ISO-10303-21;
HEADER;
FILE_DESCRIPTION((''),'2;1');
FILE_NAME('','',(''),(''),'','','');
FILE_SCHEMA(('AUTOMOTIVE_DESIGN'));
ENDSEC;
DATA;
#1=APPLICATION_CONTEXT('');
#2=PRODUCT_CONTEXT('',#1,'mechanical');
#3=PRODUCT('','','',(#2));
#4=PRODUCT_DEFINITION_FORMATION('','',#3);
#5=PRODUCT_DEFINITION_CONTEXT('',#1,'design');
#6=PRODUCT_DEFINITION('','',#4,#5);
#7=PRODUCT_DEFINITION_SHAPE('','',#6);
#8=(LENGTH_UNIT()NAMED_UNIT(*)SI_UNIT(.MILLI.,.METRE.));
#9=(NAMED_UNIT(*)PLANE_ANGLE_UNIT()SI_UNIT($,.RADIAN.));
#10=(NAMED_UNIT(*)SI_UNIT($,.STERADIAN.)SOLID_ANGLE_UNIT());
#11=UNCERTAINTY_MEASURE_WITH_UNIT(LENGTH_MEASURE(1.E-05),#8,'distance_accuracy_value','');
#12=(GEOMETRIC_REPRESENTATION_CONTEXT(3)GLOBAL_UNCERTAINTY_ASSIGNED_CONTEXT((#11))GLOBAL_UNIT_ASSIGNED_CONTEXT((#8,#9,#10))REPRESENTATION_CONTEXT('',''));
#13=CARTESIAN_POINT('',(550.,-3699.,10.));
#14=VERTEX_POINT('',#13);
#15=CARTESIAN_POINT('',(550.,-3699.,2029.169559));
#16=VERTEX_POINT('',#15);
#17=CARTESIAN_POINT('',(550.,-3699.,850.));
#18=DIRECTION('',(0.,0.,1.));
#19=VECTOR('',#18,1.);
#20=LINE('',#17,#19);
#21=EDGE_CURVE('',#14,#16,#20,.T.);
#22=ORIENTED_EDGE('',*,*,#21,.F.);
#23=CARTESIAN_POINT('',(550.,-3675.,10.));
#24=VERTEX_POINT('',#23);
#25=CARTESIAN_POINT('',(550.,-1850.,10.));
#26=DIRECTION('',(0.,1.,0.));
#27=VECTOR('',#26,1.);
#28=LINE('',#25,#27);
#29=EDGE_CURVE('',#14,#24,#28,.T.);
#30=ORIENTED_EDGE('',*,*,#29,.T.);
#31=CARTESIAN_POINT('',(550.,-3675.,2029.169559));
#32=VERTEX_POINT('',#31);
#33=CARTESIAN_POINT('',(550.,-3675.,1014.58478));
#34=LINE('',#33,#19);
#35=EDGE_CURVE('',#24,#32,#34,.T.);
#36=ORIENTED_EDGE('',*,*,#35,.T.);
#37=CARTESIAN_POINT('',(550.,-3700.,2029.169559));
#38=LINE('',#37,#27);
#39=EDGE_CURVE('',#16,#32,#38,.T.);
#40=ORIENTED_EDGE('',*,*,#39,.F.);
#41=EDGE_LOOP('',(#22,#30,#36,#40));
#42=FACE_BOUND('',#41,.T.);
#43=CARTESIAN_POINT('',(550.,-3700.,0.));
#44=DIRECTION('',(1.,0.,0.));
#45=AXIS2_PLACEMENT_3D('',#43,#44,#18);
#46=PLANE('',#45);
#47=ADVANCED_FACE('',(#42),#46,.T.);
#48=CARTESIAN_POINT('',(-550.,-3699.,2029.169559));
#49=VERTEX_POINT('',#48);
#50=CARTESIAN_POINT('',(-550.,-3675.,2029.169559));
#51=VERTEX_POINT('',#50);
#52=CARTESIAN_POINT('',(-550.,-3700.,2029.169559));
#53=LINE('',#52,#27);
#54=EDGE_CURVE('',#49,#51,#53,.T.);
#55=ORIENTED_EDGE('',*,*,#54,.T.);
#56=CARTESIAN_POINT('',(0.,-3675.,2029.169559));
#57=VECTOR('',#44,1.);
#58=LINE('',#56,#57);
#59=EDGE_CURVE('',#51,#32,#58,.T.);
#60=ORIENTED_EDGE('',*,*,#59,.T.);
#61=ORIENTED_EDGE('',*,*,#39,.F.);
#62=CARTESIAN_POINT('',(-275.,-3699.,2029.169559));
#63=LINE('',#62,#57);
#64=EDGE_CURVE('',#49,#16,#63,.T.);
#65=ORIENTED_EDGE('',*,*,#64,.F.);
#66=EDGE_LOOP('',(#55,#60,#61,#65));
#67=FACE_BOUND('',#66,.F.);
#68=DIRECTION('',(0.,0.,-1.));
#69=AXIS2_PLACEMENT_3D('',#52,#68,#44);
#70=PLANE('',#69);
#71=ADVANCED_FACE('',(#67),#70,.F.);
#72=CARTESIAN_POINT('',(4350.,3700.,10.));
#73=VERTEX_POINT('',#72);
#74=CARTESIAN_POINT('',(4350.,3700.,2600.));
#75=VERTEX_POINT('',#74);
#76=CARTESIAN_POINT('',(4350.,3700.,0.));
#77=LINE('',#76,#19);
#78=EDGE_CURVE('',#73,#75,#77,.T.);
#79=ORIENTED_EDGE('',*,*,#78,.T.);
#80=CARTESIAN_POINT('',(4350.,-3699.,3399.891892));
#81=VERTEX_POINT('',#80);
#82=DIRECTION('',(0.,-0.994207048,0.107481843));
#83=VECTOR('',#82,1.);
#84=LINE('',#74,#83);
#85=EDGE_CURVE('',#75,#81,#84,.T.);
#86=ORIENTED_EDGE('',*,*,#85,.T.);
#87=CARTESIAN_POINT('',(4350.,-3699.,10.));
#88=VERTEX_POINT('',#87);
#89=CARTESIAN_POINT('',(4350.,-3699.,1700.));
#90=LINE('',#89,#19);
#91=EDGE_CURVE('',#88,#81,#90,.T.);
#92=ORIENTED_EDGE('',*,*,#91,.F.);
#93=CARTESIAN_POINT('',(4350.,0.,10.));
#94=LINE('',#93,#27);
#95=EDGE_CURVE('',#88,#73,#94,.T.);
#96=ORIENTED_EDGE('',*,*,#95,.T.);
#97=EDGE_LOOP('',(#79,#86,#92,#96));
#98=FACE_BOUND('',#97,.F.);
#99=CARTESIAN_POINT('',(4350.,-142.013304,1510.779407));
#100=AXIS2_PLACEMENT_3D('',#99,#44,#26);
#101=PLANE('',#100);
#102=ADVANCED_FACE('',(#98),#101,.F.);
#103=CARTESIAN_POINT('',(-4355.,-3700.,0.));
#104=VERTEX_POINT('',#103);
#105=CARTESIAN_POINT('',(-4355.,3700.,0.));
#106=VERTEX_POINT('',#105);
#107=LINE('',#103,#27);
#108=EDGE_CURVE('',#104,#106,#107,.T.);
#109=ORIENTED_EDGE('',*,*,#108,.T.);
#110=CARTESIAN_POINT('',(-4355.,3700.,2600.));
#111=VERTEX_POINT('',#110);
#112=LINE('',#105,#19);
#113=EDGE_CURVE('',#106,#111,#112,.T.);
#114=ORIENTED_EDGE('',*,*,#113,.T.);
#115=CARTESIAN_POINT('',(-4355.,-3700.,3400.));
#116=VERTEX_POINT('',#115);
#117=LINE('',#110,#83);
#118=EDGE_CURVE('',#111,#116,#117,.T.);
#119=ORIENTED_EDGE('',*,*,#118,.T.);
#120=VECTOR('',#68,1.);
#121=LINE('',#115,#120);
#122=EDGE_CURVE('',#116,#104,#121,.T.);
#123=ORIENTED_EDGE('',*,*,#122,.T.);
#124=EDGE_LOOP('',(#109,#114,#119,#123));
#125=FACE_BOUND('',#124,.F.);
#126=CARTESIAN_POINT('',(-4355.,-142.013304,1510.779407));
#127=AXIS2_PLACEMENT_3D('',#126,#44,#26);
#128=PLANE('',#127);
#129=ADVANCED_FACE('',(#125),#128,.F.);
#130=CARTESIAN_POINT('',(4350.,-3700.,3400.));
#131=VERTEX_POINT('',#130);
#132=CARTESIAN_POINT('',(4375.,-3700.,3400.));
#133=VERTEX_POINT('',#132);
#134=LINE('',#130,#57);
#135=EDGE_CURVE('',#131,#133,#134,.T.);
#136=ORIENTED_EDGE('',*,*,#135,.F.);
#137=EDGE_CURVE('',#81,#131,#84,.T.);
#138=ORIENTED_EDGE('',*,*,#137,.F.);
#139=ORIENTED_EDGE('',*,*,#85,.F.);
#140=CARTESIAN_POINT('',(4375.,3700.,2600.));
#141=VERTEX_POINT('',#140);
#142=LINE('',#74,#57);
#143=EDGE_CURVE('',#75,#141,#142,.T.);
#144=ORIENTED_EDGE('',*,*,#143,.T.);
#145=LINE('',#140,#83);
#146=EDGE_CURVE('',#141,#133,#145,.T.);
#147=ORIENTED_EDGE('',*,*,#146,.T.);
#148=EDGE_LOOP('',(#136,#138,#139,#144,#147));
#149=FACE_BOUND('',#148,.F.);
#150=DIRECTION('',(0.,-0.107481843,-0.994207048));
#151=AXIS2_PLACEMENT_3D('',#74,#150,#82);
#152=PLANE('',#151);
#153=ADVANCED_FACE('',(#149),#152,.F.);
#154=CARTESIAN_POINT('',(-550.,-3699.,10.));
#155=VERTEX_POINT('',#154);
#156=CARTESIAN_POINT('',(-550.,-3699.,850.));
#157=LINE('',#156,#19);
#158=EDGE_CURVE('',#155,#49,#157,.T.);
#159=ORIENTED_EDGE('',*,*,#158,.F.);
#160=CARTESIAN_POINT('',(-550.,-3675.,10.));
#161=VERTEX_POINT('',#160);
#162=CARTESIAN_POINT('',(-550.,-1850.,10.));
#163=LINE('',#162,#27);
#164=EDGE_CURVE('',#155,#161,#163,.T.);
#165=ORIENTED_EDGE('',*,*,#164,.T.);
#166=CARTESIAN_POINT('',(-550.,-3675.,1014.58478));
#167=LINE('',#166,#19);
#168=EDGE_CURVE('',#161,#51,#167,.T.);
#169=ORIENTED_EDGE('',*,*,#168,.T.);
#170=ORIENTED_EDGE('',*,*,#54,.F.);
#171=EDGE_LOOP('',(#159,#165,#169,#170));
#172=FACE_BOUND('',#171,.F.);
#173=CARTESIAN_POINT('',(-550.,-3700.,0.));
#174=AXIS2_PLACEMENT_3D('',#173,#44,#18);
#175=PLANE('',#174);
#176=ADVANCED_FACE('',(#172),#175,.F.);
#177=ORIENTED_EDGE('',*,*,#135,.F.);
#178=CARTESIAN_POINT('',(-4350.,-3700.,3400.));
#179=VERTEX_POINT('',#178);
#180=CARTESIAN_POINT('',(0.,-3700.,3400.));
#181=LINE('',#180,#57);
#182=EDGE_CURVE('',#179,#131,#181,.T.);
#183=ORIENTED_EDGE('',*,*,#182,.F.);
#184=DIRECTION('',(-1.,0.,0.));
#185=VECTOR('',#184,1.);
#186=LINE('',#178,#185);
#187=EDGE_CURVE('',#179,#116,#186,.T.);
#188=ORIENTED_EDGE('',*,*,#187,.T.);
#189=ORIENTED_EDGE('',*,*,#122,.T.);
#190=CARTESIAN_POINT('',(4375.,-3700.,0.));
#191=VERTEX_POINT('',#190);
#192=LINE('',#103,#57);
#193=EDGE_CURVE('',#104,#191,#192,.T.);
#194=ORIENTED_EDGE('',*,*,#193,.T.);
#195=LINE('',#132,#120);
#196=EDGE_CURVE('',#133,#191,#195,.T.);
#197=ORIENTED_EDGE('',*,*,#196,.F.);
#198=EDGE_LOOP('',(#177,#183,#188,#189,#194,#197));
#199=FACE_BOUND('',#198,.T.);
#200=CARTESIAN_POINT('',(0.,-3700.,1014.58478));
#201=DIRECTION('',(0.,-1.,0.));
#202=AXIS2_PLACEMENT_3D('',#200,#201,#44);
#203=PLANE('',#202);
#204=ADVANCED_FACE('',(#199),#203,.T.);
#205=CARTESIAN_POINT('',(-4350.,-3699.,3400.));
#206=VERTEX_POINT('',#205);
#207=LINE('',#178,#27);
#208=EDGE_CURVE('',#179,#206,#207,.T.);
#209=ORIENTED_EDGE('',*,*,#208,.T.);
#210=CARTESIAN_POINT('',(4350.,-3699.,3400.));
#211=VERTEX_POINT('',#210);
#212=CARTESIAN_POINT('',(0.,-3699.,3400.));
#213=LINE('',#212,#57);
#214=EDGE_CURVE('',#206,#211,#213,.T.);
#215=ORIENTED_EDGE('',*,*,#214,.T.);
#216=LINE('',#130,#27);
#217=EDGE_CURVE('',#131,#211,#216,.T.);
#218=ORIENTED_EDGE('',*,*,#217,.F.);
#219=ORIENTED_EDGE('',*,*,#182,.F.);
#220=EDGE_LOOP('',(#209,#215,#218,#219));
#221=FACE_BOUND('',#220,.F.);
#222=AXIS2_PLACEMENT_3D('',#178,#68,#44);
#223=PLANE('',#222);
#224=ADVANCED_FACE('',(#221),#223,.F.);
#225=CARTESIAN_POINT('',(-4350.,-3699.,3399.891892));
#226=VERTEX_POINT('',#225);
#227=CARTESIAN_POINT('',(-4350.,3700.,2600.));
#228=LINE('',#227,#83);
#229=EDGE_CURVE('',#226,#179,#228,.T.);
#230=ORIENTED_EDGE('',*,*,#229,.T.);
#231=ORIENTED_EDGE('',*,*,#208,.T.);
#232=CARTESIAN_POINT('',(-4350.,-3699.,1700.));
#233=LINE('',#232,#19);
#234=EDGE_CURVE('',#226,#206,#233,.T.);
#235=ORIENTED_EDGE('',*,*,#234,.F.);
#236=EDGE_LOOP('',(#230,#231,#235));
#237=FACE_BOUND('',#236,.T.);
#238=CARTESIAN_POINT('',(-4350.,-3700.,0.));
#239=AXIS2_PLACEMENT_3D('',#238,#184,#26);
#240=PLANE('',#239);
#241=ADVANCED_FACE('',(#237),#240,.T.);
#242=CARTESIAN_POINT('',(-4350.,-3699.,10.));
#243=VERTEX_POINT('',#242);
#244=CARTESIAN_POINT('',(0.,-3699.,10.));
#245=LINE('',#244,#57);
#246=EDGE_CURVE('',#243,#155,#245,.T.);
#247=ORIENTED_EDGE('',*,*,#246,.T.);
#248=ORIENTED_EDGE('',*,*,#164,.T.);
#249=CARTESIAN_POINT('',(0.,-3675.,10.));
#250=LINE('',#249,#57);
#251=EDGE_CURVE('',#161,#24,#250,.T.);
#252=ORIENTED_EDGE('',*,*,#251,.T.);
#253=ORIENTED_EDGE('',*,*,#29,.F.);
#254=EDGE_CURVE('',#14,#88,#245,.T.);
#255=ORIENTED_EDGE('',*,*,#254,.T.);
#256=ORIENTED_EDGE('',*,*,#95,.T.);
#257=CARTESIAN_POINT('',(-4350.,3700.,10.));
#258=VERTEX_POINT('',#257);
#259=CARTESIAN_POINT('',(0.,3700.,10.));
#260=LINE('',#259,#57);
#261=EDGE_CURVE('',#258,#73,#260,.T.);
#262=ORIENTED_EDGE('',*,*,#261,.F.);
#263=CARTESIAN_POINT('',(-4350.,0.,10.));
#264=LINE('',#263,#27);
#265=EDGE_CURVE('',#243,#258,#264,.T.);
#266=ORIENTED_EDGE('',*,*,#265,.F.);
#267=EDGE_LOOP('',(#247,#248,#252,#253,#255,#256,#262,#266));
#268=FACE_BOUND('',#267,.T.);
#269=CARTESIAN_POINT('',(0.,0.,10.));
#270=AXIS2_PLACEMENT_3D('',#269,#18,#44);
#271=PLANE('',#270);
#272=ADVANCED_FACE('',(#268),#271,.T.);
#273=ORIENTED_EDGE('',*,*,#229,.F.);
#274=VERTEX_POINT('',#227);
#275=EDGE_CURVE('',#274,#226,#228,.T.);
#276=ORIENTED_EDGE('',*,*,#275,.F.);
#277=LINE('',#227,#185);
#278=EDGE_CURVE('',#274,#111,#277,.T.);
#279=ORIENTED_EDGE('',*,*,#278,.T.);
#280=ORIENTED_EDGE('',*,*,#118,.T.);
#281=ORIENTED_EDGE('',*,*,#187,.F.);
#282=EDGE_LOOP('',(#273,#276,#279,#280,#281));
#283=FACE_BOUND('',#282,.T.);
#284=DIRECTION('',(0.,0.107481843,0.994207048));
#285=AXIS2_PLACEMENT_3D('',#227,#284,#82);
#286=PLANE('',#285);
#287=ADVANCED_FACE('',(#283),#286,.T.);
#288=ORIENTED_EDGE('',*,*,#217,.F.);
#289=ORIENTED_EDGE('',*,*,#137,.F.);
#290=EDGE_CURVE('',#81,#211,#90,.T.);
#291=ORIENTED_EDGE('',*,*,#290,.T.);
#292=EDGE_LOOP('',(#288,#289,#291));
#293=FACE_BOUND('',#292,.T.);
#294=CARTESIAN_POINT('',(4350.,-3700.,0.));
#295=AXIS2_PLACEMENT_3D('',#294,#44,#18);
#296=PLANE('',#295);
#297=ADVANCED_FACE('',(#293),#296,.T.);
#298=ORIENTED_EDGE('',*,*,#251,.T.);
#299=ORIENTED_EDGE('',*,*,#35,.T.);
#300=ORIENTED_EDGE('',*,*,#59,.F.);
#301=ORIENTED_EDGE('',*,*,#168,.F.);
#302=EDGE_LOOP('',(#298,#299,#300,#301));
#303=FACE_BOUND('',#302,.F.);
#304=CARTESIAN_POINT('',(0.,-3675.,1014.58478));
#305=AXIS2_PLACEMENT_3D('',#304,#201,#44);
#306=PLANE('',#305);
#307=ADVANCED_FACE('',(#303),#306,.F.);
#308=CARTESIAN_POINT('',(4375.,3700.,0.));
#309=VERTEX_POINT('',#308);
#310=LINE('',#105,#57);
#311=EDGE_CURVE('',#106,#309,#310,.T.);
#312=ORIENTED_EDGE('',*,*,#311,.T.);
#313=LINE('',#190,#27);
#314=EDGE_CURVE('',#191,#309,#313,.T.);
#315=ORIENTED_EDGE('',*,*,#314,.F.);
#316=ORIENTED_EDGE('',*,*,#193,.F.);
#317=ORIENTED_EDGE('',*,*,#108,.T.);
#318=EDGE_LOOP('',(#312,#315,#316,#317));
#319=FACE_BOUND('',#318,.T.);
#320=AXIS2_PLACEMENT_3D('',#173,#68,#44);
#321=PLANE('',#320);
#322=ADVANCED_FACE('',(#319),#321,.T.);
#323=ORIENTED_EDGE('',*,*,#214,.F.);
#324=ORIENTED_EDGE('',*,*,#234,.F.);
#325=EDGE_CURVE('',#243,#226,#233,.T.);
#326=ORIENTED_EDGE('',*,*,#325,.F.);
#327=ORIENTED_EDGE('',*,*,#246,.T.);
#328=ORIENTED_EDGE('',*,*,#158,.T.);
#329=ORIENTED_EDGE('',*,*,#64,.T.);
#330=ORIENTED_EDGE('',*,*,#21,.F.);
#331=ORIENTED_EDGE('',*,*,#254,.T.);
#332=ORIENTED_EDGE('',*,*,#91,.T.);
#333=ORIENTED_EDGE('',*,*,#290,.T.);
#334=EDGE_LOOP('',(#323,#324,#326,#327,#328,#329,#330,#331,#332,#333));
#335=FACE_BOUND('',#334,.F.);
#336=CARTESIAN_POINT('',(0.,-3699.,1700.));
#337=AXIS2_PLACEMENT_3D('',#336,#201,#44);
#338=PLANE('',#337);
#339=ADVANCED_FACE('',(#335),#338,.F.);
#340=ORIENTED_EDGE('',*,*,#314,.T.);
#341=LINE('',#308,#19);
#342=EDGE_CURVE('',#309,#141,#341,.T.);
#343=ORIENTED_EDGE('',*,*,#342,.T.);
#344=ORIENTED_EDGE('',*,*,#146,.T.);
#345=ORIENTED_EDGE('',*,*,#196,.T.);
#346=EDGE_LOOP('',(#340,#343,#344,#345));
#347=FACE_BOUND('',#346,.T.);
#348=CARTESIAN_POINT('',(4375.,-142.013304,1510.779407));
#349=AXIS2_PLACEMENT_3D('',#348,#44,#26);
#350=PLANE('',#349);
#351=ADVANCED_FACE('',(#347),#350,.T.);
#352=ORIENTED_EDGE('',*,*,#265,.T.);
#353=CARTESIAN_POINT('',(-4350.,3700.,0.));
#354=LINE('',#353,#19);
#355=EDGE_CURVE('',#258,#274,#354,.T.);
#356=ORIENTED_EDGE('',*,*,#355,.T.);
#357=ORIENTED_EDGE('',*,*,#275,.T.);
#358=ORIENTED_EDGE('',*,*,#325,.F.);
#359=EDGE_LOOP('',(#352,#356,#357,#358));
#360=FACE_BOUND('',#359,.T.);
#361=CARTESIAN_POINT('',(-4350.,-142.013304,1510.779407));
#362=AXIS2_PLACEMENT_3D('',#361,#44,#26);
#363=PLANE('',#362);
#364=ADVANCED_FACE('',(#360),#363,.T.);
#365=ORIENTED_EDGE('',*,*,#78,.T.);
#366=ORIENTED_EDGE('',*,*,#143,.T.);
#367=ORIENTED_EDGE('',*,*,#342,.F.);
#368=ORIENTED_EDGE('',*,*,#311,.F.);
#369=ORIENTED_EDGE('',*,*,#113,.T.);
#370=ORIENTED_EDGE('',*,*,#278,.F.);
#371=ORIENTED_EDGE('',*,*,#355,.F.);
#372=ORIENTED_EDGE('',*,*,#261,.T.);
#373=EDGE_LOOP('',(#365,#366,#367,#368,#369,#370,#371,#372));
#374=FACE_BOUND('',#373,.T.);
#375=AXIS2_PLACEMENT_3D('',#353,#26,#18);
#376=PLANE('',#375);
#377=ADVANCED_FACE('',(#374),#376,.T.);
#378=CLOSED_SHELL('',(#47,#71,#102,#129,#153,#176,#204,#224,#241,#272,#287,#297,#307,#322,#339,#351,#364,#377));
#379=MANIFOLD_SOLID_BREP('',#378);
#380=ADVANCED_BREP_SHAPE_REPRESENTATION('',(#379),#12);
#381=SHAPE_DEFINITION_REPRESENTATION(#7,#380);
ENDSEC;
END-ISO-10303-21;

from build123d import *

# Parameters (mm, degrees)
F7_DEPTH  = 25
F0_W      = 8700
F0_H      = 7400
F8_DEPTH  = 10
F2_W      = 8700
F2_H      = 3400
F9_DEPTH  = 1
F12_DEPTH = 5
F13_W     = 1100
F13_H     = 2029.1695594788
F14_DEPTH = 25


with BuildPart() as f7:
    # F6 (on line) → F7 (new body)
    with BuildSketch(Plane.YZ.offset(4350)):
        Polygon((-3700, 3400), (-3700, 0), (3700, 0), (3700, 2600), align=None)
    extrude(amount=F7_DEPTH)

    # F0 (on Top) → F8 (join)
    with BuildSketch(Plane.XY):
        Rectangle(F0_W, F0_H)
    extrude(amount=F8_DEPTH)

    # F2 (on line) → F9 (join)
    with BuildSketch(Plane.XZ.offset(3700)):
        with Locations((0, 1700)):
            Rectangle(F2_W, F2_H)
    extrude(amount=-F9_DEPTH)

    # F11 (on face) → F12 (join)
    with BuildSketch(Plane.YZ.offset(-4350)):
        Polygon((-3700, 3400), (-3700, 0), (3700, 0), (3700, 2600), align=None)
    extrude(amount=-F12_DEPTH)

    # F13 (on face) → F14 (join)
    with BuildSketch(Plane.XZ.offset(3700)):
        with Locations((0, 1014.5847797394)):
            Rectangle(F13_W, F13_H)
    extrude(amount=-F14_DEPTH)


solid = f7.part
